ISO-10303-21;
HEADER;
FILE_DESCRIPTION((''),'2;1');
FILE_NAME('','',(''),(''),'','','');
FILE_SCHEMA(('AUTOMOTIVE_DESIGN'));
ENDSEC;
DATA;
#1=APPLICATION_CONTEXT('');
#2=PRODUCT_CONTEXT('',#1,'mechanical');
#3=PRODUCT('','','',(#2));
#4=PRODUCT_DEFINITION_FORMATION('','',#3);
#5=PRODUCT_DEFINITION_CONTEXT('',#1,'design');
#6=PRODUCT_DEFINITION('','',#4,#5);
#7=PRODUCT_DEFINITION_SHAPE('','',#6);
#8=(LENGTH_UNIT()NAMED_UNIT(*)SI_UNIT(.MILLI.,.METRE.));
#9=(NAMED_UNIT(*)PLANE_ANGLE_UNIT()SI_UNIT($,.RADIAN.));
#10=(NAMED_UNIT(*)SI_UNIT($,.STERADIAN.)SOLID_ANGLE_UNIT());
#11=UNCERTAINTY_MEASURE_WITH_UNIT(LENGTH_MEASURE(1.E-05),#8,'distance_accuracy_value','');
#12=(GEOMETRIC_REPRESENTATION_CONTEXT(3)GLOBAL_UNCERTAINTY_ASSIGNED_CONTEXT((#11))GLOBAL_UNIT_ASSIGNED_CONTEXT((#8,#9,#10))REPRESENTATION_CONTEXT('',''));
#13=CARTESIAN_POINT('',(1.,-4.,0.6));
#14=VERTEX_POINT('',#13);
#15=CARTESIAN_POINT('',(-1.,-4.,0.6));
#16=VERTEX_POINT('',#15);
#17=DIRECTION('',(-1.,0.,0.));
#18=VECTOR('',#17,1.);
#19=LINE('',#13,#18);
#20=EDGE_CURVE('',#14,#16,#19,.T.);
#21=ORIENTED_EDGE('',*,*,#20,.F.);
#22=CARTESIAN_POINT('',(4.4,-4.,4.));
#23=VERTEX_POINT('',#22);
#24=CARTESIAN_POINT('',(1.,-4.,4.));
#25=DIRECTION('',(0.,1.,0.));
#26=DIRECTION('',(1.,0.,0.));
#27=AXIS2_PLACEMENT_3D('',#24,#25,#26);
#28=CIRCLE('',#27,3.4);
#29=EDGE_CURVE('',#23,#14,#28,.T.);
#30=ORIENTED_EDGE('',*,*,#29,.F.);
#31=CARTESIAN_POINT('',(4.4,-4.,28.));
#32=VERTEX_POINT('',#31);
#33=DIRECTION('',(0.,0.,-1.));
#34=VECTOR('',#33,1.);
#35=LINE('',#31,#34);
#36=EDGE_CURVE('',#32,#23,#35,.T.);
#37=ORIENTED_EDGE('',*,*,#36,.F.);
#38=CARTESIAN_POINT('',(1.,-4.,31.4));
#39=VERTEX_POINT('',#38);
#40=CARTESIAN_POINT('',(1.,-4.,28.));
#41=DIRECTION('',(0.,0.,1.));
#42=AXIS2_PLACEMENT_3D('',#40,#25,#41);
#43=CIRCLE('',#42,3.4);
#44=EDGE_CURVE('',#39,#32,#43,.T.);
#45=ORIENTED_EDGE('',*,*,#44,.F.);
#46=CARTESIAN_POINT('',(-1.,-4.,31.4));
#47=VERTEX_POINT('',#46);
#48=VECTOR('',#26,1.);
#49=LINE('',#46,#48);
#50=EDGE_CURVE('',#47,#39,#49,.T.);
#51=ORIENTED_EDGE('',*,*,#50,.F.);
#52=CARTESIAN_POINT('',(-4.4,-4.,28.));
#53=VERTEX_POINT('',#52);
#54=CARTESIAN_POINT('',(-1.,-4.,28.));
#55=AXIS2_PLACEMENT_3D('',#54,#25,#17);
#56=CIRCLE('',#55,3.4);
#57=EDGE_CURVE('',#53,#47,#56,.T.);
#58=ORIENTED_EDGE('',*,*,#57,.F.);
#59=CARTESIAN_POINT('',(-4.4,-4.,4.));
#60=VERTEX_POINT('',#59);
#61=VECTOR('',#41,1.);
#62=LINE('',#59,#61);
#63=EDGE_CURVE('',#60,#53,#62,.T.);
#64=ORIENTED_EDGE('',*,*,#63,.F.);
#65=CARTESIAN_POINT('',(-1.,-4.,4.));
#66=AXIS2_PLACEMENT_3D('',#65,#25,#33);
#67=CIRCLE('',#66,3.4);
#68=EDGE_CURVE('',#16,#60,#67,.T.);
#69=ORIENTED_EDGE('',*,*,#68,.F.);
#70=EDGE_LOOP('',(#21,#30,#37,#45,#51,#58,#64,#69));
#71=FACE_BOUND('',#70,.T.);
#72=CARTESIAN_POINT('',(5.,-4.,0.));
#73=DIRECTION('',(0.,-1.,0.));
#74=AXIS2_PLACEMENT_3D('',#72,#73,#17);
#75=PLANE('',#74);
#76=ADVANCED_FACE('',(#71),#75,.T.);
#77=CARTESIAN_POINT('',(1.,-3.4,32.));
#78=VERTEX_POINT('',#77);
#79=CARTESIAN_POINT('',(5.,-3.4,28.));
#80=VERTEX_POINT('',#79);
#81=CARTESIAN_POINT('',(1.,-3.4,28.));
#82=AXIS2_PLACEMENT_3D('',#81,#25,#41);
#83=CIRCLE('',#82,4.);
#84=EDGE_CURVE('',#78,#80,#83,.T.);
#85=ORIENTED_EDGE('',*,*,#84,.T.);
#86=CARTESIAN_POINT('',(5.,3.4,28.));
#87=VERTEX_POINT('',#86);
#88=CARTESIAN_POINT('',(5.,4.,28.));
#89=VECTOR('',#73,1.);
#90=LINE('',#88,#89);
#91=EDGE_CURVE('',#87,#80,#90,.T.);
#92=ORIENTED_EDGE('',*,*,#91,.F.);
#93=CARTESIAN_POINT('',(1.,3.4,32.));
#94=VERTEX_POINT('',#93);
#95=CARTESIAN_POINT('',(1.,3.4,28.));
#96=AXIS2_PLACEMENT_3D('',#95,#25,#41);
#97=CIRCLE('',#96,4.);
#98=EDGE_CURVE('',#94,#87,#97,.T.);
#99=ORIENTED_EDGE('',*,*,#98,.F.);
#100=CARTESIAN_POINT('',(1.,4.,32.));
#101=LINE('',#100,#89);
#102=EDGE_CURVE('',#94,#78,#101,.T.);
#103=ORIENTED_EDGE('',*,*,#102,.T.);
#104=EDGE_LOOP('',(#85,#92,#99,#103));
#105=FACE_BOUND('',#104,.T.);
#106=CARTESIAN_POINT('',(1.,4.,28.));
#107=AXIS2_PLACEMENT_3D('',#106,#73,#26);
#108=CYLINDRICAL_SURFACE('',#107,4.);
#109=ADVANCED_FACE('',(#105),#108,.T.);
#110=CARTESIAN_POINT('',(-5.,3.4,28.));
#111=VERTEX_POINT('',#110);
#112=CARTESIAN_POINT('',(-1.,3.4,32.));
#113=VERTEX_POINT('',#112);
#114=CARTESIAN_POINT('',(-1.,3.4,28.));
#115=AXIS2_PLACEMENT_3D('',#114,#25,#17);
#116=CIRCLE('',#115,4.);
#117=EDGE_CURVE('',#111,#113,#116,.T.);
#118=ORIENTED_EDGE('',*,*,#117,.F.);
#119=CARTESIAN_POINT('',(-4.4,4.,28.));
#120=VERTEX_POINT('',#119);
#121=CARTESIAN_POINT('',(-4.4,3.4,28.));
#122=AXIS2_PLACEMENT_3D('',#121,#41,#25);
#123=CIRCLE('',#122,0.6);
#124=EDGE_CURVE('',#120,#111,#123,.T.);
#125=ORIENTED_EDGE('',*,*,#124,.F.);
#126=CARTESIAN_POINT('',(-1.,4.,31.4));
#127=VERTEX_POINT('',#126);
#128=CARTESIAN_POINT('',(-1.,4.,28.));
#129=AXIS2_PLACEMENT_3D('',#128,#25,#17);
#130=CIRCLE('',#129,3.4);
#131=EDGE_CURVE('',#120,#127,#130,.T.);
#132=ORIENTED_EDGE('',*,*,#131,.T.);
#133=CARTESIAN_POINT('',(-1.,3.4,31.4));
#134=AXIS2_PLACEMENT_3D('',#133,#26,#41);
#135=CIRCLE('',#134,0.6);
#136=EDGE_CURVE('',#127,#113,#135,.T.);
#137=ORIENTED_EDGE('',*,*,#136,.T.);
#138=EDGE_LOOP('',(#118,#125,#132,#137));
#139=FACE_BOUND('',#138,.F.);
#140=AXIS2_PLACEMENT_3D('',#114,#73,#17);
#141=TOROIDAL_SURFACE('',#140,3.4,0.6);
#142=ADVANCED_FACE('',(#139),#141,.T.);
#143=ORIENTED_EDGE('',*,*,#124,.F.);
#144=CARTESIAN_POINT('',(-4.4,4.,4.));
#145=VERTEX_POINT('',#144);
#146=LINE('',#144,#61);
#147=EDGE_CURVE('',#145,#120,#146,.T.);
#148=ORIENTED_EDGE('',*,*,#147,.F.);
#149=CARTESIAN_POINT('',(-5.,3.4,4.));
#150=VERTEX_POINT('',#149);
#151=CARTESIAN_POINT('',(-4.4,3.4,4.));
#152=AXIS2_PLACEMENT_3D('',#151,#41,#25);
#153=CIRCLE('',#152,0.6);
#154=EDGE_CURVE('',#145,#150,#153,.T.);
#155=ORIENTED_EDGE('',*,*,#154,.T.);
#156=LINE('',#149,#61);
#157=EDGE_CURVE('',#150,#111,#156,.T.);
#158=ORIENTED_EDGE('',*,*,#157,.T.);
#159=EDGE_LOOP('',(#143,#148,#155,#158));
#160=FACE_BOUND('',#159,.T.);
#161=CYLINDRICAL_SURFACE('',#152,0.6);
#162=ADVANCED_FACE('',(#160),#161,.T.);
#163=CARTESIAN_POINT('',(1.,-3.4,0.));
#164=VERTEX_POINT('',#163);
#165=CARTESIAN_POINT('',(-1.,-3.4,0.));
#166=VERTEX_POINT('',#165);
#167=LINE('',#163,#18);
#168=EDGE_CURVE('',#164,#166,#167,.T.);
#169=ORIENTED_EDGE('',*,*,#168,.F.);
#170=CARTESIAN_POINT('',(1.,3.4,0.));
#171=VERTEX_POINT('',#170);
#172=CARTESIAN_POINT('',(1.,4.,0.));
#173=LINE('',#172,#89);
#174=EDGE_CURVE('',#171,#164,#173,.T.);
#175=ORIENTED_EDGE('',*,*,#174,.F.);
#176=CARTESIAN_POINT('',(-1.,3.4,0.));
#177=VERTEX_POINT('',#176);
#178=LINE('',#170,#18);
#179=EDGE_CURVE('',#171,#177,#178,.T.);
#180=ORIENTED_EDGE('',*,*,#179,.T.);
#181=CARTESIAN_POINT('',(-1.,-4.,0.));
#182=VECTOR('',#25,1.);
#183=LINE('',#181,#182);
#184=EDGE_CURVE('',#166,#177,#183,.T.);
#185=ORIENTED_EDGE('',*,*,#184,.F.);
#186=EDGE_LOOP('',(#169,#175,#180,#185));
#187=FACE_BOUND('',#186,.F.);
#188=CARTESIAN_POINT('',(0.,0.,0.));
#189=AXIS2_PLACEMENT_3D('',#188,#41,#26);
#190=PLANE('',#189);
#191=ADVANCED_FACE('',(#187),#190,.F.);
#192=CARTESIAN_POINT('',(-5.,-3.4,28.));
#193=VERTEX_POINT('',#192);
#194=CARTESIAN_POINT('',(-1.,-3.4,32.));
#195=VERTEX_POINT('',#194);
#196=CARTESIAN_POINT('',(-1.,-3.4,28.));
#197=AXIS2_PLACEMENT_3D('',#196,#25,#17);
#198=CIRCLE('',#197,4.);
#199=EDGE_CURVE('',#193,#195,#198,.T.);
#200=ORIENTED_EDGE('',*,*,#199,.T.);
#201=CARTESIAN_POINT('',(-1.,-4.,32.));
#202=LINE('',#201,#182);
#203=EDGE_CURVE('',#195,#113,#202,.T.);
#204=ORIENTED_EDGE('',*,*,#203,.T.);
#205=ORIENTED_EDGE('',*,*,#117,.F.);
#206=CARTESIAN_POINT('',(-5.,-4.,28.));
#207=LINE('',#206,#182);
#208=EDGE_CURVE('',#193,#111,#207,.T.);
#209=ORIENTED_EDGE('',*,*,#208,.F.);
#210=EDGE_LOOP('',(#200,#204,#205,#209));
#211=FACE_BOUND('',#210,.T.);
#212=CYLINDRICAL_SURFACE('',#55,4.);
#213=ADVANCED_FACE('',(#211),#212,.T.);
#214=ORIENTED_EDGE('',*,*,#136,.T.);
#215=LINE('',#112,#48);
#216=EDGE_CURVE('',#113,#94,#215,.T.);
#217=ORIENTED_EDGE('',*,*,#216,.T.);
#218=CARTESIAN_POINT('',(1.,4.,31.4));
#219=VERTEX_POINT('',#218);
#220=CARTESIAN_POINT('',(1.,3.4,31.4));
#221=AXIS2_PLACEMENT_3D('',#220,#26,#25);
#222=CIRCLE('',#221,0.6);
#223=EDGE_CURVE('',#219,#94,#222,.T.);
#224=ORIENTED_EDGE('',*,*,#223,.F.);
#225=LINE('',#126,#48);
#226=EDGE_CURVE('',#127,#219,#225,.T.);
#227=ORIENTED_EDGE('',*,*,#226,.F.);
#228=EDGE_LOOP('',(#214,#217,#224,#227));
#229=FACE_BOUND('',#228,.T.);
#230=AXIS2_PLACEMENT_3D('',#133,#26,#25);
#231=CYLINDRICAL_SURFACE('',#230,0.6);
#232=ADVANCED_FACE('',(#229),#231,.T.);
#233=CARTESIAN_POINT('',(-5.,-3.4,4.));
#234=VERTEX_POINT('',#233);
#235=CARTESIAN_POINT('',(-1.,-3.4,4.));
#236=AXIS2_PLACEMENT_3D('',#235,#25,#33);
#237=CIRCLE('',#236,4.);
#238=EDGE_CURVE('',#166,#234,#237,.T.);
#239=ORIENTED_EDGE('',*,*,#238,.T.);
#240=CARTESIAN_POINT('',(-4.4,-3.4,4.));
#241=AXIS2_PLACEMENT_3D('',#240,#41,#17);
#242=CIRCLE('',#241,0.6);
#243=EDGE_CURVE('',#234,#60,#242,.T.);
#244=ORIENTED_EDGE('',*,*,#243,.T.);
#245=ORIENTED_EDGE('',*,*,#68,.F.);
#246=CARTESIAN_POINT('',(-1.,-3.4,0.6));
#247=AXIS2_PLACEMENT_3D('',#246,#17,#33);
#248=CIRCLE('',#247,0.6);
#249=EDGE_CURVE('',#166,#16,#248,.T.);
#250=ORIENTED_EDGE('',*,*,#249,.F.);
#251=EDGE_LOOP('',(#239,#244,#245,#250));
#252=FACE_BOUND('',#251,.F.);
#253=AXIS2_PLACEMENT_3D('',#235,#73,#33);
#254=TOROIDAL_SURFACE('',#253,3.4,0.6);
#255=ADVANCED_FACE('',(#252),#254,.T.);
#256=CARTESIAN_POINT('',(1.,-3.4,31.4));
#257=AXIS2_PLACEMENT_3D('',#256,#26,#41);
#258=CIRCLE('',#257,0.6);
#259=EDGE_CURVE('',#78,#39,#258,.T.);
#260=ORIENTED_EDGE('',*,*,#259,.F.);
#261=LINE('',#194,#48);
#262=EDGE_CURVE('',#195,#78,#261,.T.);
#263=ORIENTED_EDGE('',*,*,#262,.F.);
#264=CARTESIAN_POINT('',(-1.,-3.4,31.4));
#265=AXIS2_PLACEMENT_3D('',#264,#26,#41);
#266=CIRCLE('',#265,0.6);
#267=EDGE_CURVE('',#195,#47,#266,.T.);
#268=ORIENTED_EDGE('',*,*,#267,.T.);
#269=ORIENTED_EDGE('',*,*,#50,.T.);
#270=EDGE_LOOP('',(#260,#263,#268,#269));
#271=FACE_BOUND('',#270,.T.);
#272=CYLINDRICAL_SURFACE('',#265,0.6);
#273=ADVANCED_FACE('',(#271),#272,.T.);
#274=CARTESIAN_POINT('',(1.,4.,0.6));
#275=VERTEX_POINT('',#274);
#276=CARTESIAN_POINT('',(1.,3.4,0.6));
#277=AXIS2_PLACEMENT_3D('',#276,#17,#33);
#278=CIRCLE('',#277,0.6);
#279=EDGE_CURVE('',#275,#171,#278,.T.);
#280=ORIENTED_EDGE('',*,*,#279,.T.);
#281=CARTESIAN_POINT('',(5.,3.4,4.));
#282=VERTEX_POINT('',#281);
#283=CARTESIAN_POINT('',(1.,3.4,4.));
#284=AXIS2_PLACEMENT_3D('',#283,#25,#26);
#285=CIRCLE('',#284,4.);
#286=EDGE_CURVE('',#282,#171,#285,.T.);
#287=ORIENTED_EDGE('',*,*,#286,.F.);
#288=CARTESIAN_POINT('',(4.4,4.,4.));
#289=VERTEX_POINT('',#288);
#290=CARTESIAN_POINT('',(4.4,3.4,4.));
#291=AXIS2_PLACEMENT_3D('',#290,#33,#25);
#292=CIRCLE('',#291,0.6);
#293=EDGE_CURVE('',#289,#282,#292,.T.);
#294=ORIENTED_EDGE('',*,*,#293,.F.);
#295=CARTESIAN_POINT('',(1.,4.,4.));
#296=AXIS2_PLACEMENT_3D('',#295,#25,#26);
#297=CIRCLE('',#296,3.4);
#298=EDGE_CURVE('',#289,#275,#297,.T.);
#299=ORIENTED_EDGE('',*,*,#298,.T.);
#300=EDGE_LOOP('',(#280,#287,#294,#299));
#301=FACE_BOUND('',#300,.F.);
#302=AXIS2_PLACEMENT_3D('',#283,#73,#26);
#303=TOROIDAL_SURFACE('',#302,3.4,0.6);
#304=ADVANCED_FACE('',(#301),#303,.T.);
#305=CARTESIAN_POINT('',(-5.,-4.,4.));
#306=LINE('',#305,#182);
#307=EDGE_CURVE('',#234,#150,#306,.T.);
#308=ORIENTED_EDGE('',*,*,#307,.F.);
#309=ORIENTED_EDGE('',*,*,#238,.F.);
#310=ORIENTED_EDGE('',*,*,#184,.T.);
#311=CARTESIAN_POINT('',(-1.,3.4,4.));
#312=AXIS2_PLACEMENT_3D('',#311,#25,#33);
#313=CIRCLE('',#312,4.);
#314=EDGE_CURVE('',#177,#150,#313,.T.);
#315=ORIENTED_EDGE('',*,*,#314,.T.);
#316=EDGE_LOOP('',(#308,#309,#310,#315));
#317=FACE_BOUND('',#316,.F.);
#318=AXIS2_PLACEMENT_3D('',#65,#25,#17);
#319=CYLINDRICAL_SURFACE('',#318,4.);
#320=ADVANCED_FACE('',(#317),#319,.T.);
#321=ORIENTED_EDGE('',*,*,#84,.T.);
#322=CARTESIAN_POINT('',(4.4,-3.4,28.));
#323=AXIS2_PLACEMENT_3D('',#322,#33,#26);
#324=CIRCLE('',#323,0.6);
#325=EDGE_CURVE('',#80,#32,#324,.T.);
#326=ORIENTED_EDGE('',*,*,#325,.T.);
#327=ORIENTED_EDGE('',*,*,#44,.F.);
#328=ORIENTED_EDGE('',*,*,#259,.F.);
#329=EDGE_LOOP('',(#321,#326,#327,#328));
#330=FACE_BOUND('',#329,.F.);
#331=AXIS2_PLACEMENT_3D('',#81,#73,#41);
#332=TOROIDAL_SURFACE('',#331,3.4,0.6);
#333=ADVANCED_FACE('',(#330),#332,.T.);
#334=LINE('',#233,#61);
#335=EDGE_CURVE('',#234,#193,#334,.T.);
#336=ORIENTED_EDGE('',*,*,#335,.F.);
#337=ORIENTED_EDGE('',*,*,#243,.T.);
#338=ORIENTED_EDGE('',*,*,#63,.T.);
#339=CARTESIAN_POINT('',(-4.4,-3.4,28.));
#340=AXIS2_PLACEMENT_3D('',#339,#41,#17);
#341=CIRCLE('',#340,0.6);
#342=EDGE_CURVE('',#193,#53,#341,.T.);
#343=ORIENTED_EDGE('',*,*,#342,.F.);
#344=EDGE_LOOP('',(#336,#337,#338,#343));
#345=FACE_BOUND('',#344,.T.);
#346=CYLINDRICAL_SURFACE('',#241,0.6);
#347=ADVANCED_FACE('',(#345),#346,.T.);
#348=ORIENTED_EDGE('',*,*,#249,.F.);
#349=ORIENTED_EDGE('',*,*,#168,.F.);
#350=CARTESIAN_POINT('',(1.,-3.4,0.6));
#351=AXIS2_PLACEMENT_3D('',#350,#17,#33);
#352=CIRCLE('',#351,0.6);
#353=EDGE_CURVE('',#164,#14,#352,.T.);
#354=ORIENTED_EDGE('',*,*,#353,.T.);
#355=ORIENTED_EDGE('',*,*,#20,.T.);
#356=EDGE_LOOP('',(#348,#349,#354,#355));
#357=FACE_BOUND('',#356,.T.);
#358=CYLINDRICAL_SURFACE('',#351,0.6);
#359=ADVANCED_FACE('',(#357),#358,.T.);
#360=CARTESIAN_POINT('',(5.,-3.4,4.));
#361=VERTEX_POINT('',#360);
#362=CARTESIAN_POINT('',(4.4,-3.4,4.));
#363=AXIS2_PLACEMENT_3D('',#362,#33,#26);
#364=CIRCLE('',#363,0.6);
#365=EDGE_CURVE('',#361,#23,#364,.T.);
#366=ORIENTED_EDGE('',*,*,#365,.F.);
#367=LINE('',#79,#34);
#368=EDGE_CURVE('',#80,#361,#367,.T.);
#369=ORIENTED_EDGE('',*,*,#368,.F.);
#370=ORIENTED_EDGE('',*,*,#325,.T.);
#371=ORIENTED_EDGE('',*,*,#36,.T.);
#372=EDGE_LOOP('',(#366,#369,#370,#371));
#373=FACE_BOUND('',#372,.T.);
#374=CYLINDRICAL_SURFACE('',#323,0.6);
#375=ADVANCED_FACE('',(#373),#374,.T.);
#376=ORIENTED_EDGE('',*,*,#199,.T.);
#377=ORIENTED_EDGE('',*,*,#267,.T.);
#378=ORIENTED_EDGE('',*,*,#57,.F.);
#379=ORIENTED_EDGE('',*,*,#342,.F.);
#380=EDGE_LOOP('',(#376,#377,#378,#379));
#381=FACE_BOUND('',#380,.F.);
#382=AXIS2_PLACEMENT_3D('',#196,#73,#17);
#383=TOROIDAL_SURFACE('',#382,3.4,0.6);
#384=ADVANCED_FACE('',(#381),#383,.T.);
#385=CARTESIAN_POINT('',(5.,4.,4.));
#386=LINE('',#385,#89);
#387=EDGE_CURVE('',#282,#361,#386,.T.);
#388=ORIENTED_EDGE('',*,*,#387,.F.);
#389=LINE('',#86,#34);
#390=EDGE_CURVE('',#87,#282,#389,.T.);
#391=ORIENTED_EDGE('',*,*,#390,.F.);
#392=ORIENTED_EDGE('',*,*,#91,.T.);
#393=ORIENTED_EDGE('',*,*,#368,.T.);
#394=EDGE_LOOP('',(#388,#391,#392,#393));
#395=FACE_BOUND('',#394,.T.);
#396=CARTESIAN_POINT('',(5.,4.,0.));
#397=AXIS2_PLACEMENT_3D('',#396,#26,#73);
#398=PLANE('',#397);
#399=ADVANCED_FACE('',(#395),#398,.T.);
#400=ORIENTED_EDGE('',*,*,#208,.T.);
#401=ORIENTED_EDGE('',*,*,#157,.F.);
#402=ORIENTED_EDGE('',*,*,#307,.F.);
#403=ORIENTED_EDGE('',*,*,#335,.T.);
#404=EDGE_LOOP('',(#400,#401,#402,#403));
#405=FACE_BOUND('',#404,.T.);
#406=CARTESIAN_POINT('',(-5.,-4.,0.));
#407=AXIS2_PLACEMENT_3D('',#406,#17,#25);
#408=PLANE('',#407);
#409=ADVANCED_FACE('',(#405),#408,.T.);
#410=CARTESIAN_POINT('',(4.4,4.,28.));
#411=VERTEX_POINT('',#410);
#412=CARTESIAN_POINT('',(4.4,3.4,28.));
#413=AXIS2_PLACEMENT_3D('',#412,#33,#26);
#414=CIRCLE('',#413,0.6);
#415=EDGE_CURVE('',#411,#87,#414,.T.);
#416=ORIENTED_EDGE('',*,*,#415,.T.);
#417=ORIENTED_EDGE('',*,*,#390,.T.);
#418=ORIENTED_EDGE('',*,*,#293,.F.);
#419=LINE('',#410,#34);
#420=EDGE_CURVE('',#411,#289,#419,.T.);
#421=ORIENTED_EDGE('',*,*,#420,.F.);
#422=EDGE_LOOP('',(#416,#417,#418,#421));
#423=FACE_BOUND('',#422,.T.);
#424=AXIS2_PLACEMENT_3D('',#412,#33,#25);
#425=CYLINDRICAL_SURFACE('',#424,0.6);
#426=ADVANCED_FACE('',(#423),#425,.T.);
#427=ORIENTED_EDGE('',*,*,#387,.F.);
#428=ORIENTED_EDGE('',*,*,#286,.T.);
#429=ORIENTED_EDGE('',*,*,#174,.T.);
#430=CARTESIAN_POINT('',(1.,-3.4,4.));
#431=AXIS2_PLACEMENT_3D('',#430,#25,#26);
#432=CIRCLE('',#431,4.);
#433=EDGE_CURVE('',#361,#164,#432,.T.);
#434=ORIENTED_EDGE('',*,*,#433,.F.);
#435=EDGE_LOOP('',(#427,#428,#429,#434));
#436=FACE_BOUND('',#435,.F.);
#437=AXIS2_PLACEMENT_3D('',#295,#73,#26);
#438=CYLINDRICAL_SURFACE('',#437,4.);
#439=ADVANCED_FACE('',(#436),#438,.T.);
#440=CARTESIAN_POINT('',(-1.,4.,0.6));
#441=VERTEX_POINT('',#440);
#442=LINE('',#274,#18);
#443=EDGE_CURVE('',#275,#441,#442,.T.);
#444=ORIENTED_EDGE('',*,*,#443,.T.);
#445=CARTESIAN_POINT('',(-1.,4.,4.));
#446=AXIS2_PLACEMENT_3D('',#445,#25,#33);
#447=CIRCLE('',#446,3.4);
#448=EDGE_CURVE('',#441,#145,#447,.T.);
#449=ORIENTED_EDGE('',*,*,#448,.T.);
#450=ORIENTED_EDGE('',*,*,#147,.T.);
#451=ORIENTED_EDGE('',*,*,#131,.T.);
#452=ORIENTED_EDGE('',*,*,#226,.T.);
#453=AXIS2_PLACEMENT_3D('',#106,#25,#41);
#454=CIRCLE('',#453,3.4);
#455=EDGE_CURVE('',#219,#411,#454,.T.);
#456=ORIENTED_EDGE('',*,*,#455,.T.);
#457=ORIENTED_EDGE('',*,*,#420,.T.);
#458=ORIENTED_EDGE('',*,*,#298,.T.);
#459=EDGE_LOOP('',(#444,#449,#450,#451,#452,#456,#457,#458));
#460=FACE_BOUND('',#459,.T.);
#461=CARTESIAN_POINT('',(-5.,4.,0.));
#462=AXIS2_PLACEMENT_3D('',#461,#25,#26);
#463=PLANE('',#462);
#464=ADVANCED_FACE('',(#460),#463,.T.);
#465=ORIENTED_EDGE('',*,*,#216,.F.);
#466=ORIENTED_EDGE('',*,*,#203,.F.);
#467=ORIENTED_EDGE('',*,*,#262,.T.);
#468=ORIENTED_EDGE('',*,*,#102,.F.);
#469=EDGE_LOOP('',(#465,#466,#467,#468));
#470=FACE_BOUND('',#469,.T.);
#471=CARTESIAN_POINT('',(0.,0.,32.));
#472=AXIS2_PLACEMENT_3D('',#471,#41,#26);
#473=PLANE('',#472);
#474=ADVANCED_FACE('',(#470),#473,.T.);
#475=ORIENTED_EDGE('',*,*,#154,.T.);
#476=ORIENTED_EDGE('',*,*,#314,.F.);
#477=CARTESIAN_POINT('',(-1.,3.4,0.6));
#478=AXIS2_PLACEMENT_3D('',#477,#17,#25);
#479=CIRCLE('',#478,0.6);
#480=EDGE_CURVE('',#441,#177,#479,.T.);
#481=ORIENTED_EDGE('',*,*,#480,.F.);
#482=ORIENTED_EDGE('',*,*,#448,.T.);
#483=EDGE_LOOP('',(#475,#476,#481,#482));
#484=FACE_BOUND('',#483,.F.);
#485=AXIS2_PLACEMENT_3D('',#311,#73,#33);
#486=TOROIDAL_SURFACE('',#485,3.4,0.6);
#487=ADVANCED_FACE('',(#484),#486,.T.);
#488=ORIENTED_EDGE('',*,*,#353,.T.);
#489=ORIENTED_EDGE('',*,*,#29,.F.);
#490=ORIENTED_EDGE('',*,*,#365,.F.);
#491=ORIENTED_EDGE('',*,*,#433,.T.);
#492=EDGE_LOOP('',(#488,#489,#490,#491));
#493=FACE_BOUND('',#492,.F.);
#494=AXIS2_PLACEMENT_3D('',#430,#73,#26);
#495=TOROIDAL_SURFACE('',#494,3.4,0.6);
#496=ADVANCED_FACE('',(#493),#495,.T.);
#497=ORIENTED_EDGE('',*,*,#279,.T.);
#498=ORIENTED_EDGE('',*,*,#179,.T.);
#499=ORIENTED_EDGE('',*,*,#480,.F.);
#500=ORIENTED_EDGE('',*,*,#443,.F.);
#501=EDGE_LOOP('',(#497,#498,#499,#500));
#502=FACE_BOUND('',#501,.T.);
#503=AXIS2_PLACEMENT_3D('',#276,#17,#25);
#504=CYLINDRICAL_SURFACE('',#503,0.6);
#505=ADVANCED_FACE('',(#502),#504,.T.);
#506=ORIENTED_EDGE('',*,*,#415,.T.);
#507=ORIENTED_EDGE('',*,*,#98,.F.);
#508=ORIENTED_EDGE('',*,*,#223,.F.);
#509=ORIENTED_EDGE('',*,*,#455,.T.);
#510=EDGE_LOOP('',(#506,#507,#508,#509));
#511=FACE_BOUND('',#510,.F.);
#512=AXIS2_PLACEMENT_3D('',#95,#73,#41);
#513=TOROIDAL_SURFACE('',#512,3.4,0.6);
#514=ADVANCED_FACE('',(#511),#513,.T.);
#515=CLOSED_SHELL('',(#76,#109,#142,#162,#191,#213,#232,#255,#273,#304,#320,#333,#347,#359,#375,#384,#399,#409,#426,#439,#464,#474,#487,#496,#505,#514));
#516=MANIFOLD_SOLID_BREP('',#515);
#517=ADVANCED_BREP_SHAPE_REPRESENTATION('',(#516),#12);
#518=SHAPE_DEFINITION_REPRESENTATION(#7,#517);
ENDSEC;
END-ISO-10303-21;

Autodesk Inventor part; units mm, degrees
ref_plane "YZ Plane" through (0, 0, 0) normal (1, 0, 0) x (0, 1, 0)
ref_plane "XZ Plane" through (0, 0, 0) normal (0, 1, 0) x (-1, 0, 0)
ref_plane "XY Plane" through (0, 0, 0) normal (0, 0, 1) x (1, 0, 0)
sketch "Sketch1" plane through (0, 0, 0) normal (0, 0, 1) x (1, 0, 0)
  line L0 (-5, 4) -> (5, 4)
  line L1 (5, 4) -> (5, -4)
  line L2 (5, -4) -> (-5, -4)
  line L3 (-5, -4) -> (-5, 4)
  line L4 (-7, 0) -> (7, 0) construction
  line L5 (0, -5.6) -> (0, 5.6) construction
  point P0 (0, 0)
  point P1 (0, -4)
  point P2 (-5, 0)
  dimension "d0" = 10
  dimension "d1" = 8
extrude "Extrusion1" add sketch "Sketch1" along normal blind 32
fillet "Fillet3" radius 4 4 edges at (5, 0, 32) (-5, 0, 32) (5, 0, 0) (-5, 0, 0)
fillet "Fillet1" radius 0.6 4 edges at (-5, 4, 16) (-5, -4, 16) (5, 4, 16) (5, -4, 16)
equation "\"d2\" = GearKey_L"
equation "\"TD\" = 0.3"
equation "\"Ball_DIA\" = 6"
equation "\"Screw_L\" = 292"
equation "\"Screw_DIA\" = 36"
equation "\"Nut_OD\" = 66"
equation "\"BPath_REVQ\" = 5.75"
equation "\"Tread_OFFSET\" = 8.075"
equation "\"SteeringColumn_DIA\" = 26"
equation "\"SteeringColumnChamfer_DEG\" = 20deg"
equation "\"Rack_L\" = 307.252"
equation "\"NutCapTread_L\" = 25"
equation "\"NutCapTread_THICKNESS\" = 5.365"
equation "\"SupportFlange_THICKNESS\" = 5"
equation "\"GearKey_L\" = 32"
properties part number "MCEN4000:G1K" material "STEEL, AISI 1015"
